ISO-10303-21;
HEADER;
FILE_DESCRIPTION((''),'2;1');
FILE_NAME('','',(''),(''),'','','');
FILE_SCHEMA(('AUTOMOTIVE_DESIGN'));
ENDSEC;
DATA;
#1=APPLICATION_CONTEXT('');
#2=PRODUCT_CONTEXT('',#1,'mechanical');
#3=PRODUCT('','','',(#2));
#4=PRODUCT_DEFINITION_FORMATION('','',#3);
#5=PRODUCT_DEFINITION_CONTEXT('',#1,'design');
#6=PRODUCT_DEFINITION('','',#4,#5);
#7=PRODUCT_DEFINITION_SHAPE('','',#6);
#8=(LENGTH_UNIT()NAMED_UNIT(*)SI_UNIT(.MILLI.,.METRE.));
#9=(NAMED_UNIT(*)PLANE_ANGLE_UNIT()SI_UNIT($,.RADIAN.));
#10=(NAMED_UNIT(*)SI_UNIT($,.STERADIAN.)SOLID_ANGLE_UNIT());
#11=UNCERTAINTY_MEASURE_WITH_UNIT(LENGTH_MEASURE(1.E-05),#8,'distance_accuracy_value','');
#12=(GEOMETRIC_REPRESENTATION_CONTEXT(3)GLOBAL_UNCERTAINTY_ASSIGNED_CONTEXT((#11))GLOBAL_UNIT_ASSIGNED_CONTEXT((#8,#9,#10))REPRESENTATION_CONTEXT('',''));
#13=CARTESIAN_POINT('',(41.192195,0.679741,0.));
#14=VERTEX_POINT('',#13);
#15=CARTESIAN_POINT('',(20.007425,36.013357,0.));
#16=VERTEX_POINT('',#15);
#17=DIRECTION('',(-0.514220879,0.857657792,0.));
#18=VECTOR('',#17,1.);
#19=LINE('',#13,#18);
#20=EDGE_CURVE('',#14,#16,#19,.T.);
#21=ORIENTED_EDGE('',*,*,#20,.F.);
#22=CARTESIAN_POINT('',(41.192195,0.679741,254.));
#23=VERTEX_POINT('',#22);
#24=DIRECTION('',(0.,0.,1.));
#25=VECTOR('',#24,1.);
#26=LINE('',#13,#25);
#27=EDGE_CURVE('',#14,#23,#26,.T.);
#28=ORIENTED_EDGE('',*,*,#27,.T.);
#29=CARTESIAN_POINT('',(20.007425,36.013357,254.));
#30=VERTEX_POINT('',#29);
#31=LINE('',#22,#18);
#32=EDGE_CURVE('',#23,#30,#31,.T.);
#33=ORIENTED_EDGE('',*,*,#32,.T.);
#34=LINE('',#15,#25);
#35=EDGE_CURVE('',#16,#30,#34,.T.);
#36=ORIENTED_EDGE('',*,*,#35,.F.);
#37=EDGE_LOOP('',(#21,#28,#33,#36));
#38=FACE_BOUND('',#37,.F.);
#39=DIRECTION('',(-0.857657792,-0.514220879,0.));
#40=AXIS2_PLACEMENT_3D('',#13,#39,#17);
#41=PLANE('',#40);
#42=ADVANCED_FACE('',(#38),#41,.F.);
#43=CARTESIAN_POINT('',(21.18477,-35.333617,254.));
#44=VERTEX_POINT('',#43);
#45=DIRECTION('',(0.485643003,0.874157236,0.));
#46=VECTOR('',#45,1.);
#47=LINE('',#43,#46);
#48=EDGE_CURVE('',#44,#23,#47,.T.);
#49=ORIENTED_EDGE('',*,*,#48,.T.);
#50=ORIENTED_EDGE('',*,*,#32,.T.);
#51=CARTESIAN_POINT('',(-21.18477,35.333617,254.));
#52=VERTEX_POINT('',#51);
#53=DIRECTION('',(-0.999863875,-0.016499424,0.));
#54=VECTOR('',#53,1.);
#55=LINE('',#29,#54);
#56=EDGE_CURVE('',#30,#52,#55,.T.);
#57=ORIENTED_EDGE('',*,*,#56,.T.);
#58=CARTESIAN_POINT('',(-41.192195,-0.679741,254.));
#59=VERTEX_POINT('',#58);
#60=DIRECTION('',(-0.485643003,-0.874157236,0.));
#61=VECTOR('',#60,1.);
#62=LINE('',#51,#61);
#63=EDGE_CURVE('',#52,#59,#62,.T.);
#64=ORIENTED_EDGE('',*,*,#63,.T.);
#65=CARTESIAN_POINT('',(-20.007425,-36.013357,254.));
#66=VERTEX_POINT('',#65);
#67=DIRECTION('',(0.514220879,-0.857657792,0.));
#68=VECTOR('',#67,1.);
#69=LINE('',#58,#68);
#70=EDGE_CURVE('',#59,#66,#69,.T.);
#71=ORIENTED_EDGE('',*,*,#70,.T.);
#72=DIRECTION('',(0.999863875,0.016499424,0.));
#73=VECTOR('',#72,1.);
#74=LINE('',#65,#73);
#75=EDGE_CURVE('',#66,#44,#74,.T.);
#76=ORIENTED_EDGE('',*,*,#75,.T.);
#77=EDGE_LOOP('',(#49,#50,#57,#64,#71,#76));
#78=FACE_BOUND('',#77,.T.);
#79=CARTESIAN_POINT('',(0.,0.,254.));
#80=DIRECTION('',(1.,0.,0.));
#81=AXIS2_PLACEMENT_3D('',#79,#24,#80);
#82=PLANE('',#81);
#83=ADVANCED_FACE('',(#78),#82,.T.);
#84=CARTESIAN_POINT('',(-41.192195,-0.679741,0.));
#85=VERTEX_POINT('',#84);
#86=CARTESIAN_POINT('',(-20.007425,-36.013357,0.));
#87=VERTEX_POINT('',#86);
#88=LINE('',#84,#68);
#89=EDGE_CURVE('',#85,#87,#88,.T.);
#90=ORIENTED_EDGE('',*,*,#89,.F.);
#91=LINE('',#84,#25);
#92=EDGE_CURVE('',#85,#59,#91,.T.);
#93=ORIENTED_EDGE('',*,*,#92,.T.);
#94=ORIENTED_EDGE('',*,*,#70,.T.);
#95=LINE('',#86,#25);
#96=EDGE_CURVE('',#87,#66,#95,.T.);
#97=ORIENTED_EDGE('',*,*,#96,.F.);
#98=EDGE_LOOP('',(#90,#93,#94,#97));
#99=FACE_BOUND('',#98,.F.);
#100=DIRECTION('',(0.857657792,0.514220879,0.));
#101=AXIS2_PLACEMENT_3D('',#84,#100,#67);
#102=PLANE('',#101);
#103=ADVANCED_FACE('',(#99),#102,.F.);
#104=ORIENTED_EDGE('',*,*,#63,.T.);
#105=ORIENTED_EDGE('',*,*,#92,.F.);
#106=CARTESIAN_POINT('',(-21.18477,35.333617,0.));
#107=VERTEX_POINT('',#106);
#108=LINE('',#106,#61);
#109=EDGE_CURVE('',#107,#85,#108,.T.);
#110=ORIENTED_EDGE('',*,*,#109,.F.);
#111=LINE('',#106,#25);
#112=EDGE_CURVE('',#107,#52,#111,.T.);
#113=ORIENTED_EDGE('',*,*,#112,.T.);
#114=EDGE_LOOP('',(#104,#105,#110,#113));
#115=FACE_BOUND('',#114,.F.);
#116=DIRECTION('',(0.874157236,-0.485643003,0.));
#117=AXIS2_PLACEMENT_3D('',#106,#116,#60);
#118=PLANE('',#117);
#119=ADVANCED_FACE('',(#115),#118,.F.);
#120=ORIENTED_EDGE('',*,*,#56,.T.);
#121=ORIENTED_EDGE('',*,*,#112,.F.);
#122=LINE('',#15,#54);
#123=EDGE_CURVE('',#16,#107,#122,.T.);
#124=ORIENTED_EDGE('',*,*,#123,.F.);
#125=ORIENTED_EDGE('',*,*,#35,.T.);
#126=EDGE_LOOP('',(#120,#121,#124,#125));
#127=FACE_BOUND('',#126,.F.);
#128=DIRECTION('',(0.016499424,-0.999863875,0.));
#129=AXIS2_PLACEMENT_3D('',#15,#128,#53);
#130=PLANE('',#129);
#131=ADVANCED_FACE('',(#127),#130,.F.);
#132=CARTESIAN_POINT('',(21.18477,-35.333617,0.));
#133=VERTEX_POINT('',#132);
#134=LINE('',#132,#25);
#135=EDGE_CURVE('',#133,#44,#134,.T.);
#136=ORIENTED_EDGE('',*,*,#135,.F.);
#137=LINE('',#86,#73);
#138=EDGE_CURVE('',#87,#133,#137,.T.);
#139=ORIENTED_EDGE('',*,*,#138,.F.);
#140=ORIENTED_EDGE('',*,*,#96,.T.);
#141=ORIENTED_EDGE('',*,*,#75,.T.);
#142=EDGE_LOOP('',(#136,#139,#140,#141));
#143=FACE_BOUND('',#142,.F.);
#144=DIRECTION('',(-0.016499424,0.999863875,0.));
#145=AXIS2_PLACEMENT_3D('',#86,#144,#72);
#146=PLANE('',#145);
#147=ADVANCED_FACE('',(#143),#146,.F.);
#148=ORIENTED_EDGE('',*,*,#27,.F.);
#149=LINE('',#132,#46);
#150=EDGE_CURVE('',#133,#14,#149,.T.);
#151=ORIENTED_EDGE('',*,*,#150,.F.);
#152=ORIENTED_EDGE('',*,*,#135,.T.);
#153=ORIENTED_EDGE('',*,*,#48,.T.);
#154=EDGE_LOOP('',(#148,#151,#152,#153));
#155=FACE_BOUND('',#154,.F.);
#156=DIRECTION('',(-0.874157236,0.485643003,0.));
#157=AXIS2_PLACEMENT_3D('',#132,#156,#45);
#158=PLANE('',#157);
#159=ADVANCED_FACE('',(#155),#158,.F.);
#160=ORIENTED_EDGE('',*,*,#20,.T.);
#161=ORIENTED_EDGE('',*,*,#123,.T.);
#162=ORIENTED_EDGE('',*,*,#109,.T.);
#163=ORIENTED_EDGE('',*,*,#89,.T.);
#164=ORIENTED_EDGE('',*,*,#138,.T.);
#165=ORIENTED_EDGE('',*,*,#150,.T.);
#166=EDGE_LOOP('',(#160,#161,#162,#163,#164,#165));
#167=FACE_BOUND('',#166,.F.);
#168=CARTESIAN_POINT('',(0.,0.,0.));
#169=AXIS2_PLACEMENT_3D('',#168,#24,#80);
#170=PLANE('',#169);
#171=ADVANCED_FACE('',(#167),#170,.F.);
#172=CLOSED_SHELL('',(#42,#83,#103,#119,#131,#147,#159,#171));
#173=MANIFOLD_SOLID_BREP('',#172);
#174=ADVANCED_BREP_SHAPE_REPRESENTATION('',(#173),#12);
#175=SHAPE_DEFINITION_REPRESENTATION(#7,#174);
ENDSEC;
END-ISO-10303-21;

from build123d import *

# Parameters (mm, degrees)
F1_DEPTH = 254
F2_R     = 23.522227
F3_DEPTH = 111.76


with BuildPart() as f1:
    # F0 (on Top) → F1 (new body)
    with BuildSketch(Plane.XY):
        Polygon((-21.18477, 35.333617), (-41.192195, -0.679741), (-20.007425, -36.013357), (21.18477, -35.333617), (41.192195, 0.679741), (20.007425, 36.013357), align=None)
    extrude(amount=F1_DEPTH)

    # F2 (on face) → F3 (join)
    with BuildSketch(Plane.XY.offset(254)):
        Circle(F2_R)
    extrude(amount=-F3_DEPTH)


solid = f1.part
